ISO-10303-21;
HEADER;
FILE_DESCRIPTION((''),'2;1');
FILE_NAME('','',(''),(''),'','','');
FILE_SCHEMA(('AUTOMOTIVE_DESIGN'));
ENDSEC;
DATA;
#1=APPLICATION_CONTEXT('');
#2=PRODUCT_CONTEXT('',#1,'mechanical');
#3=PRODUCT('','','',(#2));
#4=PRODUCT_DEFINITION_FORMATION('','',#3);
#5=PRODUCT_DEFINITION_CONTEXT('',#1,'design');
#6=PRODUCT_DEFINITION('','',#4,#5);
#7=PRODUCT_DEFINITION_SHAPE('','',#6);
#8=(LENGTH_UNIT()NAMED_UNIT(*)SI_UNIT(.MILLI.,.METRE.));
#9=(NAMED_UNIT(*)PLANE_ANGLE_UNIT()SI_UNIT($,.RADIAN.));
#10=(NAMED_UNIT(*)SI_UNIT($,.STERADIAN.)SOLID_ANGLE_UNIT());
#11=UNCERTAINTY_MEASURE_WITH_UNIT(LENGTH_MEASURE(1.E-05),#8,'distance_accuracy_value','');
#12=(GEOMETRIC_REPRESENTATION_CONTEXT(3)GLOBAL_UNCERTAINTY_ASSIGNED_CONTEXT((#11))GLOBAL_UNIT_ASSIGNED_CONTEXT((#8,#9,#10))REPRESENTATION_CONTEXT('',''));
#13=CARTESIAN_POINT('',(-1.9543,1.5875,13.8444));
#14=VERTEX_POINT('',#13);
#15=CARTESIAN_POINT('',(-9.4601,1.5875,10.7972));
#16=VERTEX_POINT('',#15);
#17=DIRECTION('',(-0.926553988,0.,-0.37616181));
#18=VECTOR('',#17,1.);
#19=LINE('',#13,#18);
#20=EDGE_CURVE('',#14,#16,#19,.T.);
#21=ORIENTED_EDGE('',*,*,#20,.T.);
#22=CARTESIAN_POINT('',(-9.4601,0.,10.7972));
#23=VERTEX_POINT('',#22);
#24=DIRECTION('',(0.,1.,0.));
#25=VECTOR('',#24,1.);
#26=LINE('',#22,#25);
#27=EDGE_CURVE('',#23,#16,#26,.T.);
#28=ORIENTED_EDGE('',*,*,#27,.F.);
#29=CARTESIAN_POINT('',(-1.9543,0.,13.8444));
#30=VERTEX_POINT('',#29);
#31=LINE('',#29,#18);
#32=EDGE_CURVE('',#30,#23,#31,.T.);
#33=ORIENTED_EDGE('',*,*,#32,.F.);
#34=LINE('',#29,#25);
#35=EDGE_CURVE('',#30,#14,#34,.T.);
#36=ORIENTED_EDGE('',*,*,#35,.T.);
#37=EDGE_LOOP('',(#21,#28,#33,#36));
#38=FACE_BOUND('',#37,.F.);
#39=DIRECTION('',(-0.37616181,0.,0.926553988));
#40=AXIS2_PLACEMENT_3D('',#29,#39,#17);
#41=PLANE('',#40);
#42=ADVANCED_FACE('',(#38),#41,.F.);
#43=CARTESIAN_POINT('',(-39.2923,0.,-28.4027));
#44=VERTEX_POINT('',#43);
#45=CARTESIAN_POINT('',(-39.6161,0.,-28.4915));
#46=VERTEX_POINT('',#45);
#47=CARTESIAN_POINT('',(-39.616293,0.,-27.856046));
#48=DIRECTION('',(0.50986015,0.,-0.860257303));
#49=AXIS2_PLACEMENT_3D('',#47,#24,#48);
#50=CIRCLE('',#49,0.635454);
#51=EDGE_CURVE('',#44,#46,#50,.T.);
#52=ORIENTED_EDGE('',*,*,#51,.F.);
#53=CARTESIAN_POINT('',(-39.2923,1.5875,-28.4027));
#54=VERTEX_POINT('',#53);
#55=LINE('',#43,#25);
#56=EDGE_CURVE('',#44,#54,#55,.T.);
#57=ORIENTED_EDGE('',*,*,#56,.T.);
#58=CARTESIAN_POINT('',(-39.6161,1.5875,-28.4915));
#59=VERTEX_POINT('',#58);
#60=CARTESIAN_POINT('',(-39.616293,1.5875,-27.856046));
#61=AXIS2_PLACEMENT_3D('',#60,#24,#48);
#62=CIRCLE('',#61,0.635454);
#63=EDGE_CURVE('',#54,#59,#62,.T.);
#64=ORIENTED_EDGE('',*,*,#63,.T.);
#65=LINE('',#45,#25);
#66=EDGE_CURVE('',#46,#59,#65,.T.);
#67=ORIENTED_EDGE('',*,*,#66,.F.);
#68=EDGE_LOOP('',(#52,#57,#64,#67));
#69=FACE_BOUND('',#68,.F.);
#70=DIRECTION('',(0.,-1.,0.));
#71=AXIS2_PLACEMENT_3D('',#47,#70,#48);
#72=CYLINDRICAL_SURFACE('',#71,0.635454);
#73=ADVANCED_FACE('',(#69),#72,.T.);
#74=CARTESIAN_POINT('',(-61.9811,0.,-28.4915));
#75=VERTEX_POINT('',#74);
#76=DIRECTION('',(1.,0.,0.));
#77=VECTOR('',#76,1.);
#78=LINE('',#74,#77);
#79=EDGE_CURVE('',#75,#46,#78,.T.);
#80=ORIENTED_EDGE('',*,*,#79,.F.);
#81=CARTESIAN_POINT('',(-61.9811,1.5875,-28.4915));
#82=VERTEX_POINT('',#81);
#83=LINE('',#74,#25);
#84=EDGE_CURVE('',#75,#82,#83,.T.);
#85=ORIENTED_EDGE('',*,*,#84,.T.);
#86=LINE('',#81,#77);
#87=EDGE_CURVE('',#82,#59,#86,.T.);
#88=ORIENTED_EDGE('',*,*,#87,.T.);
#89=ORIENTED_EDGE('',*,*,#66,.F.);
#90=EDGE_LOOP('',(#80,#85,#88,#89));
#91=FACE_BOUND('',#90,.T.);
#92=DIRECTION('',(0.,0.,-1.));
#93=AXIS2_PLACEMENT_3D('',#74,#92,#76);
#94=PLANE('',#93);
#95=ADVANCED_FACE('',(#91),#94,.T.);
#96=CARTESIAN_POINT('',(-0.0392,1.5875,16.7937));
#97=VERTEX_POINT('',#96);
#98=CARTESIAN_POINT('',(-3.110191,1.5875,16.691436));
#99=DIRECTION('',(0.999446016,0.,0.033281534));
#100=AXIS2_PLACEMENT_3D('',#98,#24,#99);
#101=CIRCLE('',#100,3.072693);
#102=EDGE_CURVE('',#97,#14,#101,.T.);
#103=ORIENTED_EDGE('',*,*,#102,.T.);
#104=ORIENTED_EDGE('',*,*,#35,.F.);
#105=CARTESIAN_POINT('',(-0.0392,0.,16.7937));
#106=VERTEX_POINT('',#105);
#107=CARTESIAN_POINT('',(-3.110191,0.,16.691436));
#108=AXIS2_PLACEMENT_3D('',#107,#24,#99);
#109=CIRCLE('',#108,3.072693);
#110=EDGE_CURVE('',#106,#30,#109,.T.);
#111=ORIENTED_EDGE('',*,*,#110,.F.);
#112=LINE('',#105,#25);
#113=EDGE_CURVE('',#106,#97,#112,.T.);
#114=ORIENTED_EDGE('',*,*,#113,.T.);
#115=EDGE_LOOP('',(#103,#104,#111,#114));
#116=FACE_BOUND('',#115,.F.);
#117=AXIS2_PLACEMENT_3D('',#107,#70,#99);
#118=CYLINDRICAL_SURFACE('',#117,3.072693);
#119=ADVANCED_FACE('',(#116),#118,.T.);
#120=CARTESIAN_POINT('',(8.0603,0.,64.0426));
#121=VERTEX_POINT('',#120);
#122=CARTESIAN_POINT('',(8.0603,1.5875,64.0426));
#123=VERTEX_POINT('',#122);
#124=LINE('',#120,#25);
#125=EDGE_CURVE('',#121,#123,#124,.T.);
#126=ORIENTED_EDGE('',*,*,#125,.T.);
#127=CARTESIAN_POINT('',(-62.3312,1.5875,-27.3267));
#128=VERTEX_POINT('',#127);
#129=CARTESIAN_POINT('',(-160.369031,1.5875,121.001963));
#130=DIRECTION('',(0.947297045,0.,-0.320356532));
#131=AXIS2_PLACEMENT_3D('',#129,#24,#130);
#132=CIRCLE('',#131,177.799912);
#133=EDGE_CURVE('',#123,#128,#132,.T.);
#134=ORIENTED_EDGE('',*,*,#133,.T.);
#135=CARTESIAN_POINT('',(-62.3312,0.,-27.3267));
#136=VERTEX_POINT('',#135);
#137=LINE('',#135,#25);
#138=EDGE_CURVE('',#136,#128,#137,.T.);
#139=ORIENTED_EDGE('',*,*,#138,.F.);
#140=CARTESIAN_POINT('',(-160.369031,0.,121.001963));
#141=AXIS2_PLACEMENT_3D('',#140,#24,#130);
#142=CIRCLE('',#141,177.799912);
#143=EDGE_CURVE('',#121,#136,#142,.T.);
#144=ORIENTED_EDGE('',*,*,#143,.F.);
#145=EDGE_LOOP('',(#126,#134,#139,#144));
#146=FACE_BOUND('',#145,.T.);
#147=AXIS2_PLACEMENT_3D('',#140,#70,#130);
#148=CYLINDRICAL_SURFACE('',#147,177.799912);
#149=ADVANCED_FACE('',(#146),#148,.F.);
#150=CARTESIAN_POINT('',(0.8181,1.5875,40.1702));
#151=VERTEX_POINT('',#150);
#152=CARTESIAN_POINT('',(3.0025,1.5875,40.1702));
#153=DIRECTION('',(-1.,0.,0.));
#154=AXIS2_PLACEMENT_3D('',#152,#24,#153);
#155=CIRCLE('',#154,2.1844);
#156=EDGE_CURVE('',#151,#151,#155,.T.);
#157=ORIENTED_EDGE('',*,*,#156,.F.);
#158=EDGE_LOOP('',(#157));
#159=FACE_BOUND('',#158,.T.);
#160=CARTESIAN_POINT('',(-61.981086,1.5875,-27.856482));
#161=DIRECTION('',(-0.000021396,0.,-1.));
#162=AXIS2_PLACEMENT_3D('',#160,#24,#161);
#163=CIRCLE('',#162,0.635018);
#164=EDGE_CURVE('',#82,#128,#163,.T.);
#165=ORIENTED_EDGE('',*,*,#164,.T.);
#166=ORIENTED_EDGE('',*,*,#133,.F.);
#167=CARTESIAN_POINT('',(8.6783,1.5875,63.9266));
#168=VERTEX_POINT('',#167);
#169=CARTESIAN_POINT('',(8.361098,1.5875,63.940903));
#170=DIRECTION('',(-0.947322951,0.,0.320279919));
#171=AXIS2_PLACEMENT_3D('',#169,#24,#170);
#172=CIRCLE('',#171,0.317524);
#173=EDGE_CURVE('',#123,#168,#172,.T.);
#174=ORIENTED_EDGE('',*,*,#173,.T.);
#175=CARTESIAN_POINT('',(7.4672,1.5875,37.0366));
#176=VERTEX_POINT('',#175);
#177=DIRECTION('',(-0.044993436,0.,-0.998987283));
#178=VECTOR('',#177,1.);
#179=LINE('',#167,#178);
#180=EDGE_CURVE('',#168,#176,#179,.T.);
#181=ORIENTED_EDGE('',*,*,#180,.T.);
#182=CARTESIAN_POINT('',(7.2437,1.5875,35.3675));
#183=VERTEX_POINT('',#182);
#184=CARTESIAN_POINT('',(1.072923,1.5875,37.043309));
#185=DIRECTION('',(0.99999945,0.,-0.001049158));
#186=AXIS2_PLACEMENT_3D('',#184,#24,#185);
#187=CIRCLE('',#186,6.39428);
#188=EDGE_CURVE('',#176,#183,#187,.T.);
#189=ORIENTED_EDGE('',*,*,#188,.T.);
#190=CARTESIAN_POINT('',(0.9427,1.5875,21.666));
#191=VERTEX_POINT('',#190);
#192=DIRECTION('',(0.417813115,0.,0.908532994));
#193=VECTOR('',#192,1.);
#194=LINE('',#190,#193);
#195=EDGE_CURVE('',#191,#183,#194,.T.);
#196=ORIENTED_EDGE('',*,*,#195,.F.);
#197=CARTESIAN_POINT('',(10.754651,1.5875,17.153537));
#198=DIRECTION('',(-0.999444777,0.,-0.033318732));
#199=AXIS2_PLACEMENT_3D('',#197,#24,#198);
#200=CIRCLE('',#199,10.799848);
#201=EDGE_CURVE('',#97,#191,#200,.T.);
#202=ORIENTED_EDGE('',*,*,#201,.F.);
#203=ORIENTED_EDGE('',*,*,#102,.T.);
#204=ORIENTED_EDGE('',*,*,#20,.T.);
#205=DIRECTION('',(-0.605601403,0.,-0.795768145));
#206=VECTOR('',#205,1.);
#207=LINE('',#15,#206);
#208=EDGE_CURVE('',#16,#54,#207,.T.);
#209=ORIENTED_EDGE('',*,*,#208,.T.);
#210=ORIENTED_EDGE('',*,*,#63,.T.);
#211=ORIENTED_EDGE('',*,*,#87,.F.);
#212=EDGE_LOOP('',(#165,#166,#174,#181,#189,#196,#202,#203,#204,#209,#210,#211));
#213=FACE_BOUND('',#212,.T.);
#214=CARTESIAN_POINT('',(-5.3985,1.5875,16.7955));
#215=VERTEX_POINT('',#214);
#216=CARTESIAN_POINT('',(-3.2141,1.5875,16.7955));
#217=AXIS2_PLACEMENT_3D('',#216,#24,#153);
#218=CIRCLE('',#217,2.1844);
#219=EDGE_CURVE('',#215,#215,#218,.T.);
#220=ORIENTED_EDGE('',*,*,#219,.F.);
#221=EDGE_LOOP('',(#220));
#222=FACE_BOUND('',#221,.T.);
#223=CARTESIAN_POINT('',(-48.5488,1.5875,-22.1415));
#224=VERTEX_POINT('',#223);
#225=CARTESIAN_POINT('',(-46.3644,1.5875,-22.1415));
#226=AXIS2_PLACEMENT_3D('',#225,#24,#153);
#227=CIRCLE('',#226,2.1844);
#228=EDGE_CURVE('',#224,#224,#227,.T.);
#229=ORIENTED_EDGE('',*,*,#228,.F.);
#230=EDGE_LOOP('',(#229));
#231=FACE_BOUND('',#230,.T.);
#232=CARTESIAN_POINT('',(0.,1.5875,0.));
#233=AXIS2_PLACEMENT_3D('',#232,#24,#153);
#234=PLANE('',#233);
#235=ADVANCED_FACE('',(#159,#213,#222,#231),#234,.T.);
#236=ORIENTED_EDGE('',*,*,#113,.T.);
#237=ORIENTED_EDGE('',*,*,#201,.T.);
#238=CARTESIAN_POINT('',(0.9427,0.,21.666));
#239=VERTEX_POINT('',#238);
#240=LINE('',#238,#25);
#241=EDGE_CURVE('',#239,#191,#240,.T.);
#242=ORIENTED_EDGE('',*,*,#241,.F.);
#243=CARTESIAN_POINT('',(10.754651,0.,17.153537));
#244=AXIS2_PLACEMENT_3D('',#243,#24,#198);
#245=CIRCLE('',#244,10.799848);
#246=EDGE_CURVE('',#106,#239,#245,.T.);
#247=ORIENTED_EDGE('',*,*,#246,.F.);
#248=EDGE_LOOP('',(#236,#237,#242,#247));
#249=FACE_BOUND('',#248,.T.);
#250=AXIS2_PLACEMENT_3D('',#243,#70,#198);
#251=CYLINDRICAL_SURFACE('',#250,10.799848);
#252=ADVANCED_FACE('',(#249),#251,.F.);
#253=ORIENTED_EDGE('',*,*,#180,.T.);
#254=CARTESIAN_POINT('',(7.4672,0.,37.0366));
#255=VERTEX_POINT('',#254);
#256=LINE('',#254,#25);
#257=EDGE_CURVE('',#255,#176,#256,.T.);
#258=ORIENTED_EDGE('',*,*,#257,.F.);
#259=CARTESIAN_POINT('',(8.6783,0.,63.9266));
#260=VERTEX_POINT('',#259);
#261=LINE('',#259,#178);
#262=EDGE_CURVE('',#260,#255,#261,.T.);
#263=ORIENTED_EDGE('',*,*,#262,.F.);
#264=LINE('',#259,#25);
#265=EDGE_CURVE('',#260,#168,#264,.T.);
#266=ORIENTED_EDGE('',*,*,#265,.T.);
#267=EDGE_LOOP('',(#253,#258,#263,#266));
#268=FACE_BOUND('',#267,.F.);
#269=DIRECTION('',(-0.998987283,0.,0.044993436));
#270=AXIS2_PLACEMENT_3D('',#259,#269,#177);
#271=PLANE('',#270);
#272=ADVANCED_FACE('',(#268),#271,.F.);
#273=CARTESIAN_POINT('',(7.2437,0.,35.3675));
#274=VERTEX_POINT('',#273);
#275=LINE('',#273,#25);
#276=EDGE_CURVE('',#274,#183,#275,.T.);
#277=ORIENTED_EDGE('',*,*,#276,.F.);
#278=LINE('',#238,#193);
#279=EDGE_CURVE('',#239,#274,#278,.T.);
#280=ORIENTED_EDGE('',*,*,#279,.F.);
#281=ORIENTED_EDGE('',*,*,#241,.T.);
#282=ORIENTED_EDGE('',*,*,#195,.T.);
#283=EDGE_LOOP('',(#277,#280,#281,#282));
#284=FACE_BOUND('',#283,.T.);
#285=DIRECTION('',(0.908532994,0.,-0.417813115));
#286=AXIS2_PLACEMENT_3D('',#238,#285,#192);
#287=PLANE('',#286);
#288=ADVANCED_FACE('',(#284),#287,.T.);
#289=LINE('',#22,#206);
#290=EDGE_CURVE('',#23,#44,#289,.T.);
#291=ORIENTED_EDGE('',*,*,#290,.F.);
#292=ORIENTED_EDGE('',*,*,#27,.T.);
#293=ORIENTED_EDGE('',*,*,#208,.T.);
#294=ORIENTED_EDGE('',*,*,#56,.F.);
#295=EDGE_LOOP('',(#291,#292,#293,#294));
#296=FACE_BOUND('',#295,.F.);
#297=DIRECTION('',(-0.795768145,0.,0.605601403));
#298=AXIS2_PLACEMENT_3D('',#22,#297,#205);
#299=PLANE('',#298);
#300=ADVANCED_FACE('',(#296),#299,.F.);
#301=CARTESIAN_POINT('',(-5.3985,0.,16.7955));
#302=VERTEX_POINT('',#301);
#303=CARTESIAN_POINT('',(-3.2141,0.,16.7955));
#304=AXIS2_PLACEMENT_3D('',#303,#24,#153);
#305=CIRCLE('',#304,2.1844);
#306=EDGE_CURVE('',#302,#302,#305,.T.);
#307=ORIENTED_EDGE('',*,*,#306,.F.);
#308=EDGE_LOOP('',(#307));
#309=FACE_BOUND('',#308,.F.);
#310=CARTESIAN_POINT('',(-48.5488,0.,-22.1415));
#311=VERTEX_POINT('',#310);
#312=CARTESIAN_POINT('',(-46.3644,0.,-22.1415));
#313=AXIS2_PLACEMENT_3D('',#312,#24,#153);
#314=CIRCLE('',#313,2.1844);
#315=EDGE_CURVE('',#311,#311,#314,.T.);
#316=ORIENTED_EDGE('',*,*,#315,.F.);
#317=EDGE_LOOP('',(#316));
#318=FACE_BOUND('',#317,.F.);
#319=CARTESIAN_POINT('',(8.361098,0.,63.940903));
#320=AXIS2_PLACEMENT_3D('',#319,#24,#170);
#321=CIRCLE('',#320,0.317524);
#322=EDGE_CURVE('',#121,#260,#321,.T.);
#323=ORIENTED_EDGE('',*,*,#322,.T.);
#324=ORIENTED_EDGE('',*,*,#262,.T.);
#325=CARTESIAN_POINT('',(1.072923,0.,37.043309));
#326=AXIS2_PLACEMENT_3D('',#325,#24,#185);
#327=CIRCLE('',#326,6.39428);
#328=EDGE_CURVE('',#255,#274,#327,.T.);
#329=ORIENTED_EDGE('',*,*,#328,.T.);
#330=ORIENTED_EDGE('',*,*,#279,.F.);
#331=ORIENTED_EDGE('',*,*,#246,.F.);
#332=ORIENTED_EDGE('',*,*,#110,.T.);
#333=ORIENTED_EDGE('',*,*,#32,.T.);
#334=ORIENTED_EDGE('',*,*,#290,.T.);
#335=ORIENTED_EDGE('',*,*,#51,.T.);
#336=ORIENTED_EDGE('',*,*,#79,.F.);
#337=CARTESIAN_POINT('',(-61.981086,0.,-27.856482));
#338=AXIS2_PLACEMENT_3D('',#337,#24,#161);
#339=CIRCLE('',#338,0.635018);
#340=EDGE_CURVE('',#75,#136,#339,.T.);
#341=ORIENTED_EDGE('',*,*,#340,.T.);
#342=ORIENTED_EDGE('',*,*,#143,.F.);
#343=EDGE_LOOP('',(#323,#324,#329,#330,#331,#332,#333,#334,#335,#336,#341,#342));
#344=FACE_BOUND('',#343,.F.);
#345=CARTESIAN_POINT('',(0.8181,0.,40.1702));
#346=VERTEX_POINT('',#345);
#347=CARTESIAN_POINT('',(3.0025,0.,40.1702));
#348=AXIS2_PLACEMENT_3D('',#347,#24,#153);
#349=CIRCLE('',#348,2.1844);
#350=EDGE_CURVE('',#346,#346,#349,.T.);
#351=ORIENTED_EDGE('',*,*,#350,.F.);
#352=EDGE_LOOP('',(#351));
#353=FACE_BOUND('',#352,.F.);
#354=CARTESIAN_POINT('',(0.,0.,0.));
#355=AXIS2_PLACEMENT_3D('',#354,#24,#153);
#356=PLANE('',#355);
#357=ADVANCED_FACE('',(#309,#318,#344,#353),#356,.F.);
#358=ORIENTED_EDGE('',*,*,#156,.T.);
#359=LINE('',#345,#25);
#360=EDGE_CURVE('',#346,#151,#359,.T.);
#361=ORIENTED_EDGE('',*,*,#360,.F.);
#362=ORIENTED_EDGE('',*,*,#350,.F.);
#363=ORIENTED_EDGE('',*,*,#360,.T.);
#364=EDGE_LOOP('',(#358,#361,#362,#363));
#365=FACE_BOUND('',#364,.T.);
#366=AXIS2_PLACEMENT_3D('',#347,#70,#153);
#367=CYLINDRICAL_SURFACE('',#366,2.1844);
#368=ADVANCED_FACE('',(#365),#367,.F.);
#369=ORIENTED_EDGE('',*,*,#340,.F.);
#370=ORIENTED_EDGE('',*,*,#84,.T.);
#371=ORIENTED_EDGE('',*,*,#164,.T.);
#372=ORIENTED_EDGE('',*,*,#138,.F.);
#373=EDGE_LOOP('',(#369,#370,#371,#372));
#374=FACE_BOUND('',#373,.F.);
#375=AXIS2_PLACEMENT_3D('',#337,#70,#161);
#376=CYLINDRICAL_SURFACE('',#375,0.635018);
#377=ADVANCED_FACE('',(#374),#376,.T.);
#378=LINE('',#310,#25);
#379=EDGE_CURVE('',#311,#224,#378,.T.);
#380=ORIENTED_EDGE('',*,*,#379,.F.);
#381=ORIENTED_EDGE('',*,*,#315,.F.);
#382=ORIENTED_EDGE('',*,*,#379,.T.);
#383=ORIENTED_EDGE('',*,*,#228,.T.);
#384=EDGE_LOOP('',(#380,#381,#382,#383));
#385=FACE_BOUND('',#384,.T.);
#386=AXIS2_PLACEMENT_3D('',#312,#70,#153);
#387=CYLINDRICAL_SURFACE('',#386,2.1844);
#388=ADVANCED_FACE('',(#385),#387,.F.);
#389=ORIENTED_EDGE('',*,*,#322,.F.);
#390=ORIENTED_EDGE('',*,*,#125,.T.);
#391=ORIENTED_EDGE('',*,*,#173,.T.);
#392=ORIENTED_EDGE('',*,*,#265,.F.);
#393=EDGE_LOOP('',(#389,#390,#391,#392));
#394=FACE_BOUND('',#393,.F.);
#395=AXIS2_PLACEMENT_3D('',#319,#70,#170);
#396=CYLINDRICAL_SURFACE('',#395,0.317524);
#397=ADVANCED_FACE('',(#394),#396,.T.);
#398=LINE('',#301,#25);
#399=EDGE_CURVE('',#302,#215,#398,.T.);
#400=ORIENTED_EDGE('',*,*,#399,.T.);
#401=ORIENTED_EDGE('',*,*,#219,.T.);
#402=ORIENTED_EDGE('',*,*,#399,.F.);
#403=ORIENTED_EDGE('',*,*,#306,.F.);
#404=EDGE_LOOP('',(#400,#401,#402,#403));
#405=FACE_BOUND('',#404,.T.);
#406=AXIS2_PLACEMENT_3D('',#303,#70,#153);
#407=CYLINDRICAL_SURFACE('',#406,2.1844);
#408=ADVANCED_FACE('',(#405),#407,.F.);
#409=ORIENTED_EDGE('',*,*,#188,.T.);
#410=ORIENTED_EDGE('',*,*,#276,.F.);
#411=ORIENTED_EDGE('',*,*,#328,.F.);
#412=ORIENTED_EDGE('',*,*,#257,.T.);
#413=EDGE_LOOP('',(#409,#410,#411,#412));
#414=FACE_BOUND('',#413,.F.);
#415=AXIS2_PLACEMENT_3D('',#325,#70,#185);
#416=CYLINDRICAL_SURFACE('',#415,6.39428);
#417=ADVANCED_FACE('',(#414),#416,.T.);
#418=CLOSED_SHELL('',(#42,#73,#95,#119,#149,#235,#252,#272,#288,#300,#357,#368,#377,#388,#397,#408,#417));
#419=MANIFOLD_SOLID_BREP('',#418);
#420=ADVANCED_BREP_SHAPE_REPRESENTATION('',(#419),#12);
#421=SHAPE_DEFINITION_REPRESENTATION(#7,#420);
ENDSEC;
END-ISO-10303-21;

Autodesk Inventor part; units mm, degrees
ref_plane "YZ Plane" through (0, 0, 0) normal (1, 0, 0) x (0, 1, 0)
ref_plane "XZ Plane" through (0, 0, 0) normal (0, 1, 0) x (-1, 0, 0)
ref_plane "XY Plane" through (0, 0, 0) normal (0, 0, 1) x (1, 0, 0)
sketch "Sketch1" plane through (0, 0, 0) normal (0, 1, 0) x (-1, 0, 0)
  line L0 (-8.6783, 63.9266) -> (-7.4672, 37.0366)
  arc A0 (-7.4665, 37.0351) -> (-7.2437, 35.3675) centre (-1.1165, 37.0351) ccw
  arc A1 (-8.0603, 64.0426) -> (-8.6783, 63.9266) centre (-8.3611, 63.9409) ccw
  circle A2 centre (46.3644, -22.1415) radius 2.1844
  circle A3 centre (-3.0025, 40.1702) radius 2.1844
  circle A4 centre (3.2141, 16.7955) radius 2.1844
  arc A5 (61.9811, -28.4915) -> (62.3312, -27.3267) centre (61.9811, -27.8565) ccw
  arc A6 (-8.0603, 64.0426) -> (62.3312, -27.3267) centre (160.3691, 121.002) ccw
  line L1 (3.2141, 16.7955) -> (7.9766, 16.7955) construction
  line L2 (-0.9427, 21.666) -> (-7.2437, 35.3675)
  arc A7 (0.0392, 16.7937) -> (-0.9427, 21.666) centre (-10.7551, 17.1535) ccw
  arc A8 (0.0392, 16.7937) -> (3.2141, 13.6205) centre (3.1101, 16.6914) ccw
  arc A9 (39.2923, -28.4027) -> (39.6161, -28.4915) centre (39.6161, -27.8565) ccw
  line L3 (61.9811, -28.4915) -> (39.6161, -28.4915)
  line L4 (1.9543, 13.8444) -> (9.4601, 10.7972)
  line L5 (9.4601, 10.7972) -> (39.2923, -28.4027)
  point P0 (0, 0)
  dimension "d5" = 4.3688
  dimension "d9" = 4.3688
  dimension "d10" = 4.3688
  dimension "d12" = 0.635
  dimension "d26" = 0.635
extrude "Extrusion2" add sketch "Sketch1" along normal blind 1.5875
properties part number "ramptest"
